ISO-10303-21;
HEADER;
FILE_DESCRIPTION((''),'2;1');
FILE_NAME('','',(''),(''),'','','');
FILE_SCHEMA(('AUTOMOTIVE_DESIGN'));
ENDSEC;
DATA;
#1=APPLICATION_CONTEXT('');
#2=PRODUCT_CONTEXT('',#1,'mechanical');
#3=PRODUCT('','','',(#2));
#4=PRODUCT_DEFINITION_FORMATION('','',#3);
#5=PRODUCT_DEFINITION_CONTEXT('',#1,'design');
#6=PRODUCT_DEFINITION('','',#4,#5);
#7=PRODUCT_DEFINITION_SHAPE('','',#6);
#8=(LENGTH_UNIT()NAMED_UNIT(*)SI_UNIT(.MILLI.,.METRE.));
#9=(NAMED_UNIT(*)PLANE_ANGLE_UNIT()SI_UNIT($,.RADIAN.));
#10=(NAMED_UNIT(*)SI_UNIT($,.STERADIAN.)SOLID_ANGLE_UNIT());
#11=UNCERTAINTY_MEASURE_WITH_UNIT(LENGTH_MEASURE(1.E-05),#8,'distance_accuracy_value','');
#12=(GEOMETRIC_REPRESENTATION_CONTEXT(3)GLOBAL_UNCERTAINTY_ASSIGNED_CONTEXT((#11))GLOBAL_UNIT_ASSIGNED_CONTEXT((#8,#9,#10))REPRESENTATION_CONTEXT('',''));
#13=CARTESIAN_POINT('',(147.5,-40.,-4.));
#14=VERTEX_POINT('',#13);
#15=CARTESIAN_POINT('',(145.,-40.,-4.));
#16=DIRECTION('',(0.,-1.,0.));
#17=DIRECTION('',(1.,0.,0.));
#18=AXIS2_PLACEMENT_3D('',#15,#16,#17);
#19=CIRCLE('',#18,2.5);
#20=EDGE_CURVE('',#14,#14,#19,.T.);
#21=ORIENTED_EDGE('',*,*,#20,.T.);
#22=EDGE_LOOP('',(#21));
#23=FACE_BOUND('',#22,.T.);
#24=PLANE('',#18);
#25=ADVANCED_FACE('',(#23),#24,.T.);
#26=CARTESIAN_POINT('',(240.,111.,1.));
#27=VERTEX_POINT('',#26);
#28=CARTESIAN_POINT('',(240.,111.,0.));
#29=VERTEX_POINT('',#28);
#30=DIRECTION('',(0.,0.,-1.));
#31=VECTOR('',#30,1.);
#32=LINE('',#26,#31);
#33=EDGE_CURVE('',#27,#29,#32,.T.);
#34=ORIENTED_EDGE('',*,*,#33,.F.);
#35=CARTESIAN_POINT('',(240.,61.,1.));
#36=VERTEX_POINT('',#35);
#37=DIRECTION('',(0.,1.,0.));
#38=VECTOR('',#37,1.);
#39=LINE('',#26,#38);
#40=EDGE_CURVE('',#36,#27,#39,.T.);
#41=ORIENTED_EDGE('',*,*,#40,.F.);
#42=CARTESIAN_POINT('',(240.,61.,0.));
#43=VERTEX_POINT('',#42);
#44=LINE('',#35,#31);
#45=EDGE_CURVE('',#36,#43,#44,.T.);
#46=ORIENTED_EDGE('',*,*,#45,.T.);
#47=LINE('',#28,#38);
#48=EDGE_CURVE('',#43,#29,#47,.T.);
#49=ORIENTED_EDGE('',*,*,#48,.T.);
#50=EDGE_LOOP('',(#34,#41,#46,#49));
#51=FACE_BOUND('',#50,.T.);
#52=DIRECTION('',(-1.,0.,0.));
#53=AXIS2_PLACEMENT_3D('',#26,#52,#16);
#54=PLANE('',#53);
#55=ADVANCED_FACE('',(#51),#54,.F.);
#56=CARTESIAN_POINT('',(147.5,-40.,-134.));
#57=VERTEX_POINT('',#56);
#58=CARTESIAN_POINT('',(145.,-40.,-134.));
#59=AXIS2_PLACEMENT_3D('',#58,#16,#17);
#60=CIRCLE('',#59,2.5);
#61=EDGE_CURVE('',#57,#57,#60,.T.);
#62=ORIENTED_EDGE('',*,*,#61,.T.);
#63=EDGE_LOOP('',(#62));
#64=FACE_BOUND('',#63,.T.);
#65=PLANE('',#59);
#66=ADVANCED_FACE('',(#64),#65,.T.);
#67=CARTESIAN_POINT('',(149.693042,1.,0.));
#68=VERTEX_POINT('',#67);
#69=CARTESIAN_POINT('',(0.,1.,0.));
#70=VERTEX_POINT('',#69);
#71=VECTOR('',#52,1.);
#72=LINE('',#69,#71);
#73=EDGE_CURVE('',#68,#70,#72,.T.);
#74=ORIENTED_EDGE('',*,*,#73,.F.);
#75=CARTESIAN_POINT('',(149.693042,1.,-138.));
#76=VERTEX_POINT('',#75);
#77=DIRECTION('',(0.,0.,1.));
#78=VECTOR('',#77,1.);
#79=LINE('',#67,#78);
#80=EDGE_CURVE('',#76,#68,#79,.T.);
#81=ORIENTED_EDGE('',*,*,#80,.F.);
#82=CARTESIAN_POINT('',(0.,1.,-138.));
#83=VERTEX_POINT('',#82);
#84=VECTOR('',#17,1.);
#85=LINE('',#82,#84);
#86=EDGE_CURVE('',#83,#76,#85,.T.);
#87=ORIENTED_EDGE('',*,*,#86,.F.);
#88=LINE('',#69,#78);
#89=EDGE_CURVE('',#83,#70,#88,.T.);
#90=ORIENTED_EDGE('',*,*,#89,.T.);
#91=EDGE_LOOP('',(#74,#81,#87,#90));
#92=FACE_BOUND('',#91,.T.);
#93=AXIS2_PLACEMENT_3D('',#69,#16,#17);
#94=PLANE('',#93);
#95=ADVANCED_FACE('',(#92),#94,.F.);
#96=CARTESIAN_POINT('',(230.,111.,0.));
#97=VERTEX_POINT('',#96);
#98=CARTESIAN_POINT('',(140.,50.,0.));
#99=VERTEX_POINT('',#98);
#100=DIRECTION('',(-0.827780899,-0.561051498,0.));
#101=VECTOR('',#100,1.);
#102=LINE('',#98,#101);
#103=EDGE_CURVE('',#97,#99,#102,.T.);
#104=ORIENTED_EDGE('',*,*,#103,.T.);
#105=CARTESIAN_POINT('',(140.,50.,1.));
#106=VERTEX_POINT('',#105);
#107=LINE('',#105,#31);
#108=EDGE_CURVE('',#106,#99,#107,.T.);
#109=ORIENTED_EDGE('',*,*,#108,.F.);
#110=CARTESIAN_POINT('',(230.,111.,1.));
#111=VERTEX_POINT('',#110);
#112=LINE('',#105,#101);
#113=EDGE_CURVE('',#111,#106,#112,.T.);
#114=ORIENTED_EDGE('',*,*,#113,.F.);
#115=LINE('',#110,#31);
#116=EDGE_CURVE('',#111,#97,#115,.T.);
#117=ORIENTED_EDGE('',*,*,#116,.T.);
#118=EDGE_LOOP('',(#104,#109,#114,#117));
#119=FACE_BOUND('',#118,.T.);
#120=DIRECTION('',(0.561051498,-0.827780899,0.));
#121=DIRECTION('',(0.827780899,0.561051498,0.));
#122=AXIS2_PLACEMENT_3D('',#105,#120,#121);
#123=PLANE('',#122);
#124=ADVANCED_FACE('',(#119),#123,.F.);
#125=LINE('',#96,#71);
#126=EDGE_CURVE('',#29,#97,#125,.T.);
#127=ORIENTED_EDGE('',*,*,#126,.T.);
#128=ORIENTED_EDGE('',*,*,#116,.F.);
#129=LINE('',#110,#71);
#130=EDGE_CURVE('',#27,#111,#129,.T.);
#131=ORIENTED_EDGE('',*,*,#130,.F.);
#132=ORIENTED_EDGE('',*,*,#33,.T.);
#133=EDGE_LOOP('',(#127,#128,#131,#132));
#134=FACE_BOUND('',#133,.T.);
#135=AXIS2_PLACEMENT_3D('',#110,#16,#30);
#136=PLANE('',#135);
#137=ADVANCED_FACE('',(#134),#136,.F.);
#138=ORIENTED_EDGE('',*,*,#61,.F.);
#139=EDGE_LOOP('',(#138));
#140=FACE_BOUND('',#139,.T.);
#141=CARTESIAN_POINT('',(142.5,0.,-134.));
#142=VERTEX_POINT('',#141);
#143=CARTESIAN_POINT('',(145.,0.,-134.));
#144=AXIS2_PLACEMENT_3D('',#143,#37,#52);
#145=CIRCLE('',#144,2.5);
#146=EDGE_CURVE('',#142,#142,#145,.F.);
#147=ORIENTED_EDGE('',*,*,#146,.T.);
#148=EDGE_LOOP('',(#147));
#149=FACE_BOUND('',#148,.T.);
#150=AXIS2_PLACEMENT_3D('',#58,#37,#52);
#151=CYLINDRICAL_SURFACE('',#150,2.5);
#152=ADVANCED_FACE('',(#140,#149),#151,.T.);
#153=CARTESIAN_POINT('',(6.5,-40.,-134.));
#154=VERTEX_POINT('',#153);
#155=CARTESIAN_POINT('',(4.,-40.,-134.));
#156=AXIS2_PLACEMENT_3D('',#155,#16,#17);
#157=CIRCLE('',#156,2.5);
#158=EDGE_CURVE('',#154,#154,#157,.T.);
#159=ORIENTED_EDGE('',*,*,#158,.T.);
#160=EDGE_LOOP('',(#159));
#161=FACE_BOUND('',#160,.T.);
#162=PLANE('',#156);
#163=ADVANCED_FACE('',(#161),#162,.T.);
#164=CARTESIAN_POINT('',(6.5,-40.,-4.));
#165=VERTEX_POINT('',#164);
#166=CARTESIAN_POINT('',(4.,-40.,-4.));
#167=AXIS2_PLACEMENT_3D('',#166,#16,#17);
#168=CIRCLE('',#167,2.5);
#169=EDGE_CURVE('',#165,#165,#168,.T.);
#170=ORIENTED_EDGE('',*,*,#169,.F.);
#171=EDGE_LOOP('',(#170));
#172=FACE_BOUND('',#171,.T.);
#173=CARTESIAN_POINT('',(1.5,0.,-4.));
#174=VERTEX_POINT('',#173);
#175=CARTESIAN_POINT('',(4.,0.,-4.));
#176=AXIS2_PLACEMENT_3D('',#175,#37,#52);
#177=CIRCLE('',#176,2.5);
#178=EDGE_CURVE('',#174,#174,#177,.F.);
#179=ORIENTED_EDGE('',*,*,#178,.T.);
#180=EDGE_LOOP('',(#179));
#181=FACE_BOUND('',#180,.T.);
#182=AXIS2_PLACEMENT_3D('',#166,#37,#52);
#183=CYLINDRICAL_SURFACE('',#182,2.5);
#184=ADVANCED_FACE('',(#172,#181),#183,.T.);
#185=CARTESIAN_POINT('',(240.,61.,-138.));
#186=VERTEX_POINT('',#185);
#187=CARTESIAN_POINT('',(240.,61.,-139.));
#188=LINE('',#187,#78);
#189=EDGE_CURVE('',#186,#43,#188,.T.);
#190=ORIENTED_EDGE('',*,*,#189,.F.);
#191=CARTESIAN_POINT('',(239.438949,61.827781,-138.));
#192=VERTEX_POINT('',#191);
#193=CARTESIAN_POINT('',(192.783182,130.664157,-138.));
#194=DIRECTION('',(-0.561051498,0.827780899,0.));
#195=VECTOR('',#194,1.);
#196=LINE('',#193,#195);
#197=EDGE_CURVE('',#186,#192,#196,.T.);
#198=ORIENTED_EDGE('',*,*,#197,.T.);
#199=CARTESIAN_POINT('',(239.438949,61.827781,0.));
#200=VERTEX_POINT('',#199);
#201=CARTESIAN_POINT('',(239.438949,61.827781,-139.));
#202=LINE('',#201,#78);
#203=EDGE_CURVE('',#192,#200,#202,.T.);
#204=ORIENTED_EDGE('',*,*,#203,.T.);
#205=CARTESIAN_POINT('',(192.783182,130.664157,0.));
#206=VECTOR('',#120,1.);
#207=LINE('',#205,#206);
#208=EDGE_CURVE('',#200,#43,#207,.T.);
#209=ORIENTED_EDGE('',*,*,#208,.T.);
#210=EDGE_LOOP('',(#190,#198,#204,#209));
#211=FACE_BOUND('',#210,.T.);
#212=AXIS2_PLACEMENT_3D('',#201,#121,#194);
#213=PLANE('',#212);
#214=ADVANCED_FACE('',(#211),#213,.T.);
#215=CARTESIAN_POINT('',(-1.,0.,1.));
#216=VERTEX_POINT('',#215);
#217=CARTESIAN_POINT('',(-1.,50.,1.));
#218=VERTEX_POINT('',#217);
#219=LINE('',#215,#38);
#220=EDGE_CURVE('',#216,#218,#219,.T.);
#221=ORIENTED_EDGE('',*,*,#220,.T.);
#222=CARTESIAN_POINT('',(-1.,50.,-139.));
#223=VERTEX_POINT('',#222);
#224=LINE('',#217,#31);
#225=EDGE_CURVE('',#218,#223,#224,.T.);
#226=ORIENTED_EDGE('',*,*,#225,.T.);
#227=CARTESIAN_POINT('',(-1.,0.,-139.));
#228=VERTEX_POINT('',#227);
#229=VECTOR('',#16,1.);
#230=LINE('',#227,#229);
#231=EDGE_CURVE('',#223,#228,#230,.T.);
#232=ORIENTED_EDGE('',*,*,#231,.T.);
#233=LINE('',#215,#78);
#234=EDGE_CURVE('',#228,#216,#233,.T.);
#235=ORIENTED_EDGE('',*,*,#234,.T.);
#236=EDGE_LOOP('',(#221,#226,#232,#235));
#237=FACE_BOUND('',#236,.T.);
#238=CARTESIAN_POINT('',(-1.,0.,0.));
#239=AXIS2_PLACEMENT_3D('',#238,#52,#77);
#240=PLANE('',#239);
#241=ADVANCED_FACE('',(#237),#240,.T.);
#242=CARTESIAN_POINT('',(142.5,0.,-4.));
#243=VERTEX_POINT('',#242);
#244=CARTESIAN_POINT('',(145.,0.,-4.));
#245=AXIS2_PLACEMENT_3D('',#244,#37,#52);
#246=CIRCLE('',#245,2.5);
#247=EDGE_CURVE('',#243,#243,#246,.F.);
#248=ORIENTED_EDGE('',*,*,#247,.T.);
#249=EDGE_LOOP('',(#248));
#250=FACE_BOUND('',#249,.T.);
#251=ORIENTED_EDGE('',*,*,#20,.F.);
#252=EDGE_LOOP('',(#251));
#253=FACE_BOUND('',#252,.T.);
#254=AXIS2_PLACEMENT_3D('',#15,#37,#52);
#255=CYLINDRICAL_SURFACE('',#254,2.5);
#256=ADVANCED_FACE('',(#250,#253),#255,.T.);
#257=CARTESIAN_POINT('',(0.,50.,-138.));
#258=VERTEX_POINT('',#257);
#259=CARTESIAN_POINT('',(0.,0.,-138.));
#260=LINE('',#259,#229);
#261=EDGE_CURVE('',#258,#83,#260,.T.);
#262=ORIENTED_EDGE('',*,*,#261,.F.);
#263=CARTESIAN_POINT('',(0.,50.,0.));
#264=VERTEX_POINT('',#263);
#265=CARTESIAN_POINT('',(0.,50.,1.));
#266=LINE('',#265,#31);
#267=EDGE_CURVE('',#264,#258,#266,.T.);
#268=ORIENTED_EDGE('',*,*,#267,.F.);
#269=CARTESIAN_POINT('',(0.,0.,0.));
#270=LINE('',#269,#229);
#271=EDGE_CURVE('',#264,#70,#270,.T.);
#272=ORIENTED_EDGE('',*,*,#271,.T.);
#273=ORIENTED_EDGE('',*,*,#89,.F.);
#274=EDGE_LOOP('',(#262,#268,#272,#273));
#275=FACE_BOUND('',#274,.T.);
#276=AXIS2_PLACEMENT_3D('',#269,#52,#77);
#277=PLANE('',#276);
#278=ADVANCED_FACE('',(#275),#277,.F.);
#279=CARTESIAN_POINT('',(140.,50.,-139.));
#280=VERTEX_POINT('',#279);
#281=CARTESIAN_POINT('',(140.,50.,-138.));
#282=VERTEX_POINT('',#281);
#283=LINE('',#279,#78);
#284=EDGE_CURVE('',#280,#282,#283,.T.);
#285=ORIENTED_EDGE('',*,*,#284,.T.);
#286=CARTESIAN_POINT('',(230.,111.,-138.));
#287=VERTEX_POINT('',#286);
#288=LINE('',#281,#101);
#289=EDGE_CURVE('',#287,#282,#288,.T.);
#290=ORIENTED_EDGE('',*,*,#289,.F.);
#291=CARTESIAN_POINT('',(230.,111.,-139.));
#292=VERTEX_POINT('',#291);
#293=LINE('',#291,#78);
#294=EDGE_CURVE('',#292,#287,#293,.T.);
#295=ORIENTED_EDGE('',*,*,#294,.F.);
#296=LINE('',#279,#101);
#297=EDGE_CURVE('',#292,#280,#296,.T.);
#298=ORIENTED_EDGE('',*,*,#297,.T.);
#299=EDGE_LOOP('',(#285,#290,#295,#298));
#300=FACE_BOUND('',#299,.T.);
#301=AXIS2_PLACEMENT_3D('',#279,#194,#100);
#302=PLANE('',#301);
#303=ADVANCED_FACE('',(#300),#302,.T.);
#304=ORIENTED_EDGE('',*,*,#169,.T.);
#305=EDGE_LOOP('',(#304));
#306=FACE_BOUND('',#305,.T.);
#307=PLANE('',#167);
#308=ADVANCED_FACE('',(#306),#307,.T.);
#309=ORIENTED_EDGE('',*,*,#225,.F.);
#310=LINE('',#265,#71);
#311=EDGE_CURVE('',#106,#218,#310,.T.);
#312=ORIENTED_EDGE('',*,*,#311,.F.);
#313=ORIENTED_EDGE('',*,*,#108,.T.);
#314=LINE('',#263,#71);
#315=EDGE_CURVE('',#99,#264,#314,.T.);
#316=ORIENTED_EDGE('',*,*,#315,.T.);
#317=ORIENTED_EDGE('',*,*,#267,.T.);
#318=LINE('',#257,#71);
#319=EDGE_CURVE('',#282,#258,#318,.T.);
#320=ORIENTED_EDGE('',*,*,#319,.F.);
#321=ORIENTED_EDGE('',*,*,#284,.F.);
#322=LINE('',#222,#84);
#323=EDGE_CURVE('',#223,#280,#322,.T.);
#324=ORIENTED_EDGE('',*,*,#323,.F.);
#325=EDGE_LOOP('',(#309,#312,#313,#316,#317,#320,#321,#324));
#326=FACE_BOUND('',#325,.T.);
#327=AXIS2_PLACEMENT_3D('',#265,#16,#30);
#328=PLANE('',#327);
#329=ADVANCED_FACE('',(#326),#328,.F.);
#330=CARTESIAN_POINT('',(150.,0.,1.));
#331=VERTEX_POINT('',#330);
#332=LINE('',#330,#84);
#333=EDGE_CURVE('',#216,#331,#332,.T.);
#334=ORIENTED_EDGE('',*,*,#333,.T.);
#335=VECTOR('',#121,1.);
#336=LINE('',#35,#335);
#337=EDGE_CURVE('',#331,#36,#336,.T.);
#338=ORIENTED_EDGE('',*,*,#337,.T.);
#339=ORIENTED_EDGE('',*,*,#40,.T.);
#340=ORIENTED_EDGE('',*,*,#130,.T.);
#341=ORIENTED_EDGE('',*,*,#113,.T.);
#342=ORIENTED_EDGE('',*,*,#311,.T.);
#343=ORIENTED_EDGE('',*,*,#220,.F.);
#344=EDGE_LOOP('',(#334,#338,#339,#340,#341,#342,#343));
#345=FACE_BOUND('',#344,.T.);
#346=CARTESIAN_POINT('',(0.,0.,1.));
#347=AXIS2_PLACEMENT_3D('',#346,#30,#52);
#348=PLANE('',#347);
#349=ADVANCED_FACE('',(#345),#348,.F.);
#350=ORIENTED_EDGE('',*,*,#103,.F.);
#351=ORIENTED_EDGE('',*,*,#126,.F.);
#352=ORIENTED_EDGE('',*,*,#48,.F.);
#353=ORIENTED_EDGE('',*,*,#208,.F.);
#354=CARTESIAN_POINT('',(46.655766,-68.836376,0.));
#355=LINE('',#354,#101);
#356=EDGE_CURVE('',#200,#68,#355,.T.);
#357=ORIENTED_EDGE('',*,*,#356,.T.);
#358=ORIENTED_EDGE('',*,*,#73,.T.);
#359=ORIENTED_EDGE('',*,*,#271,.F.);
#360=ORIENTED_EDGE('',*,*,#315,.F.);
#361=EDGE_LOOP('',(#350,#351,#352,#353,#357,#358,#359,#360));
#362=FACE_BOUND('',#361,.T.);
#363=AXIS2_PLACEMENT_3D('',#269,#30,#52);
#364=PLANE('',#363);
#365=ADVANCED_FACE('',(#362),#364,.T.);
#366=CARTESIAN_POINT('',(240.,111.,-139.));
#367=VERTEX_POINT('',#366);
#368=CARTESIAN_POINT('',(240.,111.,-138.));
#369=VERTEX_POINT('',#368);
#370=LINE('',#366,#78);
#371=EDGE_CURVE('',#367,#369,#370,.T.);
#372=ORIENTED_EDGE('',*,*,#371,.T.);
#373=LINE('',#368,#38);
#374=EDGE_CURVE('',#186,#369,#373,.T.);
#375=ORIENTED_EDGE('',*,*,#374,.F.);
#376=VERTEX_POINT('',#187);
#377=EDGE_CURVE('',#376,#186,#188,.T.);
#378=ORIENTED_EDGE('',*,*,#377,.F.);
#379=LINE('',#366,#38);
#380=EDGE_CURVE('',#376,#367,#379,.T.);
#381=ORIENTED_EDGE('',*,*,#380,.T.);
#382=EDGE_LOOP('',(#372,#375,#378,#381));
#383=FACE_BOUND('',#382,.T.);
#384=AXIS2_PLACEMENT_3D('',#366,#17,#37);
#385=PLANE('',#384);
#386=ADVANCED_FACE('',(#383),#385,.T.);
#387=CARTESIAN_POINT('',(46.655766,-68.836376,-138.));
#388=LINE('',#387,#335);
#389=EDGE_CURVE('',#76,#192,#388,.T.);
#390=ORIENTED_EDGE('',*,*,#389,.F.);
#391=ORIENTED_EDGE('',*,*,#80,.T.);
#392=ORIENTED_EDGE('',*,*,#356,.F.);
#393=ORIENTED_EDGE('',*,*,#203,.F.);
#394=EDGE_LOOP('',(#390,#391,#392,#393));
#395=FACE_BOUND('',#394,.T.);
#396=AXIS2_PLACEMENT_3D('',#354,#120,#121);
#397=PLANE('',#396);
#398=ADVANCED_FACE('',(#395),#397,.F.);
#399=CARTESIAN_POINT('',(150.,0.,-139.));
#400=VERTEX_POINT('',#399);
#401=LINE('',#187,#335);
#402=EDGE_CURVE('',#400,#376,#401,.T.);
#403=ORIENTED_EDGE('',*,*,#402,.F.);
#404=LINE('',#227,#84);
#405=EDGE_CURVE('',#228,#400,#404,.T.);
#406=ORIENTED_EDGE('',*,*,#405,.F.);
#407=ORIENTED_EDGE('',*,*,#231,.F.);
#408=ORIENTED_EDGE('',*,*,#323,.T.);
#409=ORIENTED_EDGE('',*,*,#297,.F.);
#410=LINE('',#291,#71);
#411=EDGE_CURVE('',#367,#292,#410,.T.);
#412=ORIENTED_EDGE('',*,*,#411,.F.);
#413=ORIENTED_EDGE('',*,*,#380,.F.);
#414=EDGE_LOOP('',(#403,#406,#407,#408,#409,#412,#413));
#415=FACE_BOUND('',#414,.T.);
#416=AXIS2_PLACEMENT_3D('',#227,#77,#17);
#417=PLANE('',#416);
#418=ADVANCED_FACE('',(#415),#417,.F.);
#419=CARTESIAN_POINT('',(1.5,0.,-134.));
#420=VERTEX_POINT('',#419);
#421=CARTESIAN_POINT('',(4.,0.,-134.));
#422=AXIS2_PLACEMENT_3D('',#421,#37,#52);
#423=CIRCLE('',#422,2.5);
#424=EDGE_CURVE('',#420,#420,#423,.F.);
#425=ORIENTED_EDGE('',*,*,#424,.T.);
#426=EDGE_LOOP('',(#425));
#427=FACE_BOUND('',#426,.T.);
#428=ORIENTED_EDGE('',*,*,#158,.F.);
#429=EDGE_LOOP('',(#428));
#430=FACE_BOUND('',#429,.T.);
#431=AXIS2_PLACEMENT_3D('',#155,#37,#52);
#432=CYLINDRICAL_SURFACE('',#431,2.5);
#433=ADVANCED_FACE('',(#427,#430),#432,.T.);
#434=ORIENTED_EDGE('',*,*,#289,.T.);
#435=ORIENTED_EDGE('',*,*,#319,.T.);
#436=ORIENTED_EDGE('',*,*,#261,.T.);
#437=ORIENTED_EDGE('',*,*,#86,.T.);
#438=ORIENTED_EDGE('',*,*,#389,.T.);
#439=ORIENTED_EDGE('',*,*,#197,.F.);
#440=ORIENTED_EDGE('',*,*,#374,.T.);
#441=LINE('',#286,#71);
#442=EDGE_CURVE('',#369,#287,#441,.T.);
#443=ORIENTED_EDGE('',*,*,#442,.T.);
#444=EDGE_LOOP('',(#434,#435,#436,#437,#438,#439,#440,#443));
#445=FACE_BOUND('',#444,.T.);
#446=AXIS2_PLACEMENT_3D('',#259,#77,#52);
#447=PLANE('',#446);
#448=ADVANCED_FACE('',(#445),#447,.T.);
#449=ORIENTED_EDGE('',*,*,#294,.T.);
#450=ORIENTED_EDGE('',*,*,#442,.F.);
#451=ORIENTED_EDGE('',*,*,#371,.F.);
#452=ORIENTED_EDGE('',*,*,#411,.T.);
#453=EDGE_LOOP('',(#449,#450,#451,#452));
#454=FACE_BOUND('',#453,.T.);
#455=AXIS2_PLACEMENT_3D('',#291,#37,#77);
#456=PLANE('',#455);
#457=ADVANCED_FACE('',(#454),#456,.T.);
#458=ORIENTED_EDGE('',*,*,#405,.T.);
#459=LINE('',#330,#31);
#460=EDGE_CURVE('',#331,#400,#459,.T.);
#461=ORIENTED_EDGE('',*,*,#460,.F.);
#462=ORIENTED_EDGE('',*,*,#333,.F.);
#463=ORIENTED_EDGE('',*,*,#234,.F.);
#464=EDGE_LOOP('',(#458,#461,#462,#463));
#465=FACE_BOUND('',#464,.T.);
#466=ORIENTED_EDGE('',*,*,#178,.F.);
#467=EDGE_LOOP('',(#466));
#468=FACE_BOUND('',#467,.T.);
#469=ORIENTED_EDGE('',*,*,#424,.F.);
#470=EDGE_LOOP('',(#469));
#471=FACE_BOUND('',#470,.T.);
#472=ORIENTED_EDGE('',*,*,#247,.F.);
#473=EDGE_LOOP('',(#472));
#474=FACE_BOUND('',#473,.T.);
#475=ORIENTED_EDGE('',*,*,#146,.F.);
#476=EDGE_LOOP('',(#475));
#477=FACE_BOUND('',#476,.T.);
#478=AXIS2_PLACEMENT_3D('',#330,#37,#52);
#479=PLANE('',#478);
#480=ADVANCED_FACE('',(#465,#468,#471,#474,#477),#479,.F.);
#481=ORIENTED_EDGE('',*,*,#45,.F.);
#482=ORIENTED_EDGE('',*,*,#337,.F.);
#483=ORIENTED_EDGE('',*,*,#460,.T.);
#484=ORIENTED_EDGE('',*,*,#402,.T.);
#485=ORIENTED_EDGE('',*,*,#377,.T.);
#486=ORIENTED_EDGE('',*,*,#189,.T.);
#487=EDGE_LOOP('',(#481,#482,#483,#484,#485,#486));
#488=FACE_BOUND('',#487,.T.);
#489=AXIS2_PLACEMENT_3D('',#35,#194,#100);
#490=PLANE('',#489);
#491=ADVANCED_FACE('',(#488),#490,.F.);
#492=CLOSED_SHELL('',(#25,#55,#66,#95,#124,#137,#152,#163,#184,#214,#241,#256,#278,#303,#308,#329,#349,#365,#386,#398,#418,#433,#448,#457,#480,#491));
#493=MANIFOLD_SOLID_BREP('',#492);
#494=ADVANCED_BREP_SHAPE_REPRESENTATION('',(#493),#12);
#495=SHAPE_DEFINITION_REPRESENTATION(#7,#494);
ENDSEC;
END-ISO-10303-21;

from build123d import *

# Parameters (mm, degrees)
BOSS_EXTRUDE1_DEPTH = 1
SKETCH2_W           = 140
SKETCH2_H           = 50
BOSS_EXTRUDE2_DEPTH = 1
SKETCH3_W           = 151
SKETCH3_H           = 140
BOSS_EXTRUDE3_DEPTH = 1
SKETCH5_W           = 108.724422279
SKETCH5_H           = 140
BOSS_EXTRUDE4_DEPTH = 1
SKETCH6_R           = 2.5
BOSS_EXTRUDE5_DEPTH = 40


with BuildPart() as part:
    # Sketch1 → Boss-Extrude1 (new body)
    with BuildSketch(Plane.XY):
        Polygon((0, 0), (0, 50), (140, 50), (230, 111), (240, 111), (240, 61), (150, 0), align=None)
    boss_extrude1 = extrude(amount=BOSS_EXTRUDE1_DEPTH)

    # Sketch2 → Boss-Extrude2 (add)
    with BuildSketch(Plane.ZY):
        with Locations((-69, 25)):
            Rectangle(SKETCH2_W, SKETCH2_H)
    extrude(amount=BOSS_EXTRUDE2_DEPTH)

    # Mirror1: Boss-Extrude1 across plane
    add(boss_extrude1.mirror(Plane.XY.offset(-69)))

    # Sketch3 → Boss-Extrude3 (add)
    with BuildSketch(Plane.XZ):
        with Locations((74.5, -69)):
            Rectangle(SKETCH3_W, SKETCH3_H)
    extrude(amount=-BOSS_EXTRUDE3_DEPTH)

    # Sketch5 → Boss-Extrude4 (add)
    with BuildSketch(Plane(origin=(47.216817528, -69.664157009, 0), x_dir=(-0.8277808988368524, -0.5610514981005335, 0), z_dir=(0.5610514981005335, -0.8277808988368524, 0))):
        with Locations((-178.529345965, 69)):
            Rectangle(SKETCH5_W, SKETCH5_H)
    extrude(amount=-BOSS_EXTRUDE4_DEPTH)

    # Sketch6 → Boss-Extrude5 (add)
    with BuildSketch(Plane.XZ):
        with Locations(Location((4, -4, 0), (0, 0, 180))):
            Circle(SKETCH6_R)
        with Locations(Location((4, -134, 0), (0, 0, 180))):
            Circle(SKETCH6_R)
        with Locations(Location((145, -4, 0), (0, 0, 180))):
            Circle(SKETCH6_R)
        with Locations(Location((145, -134, 0), (0, 0, 180))):
            Circle(SKETCH6_R)
    extrude(amount=BOSS_EXTRUDE5_DEPTH)


solid = part.part
